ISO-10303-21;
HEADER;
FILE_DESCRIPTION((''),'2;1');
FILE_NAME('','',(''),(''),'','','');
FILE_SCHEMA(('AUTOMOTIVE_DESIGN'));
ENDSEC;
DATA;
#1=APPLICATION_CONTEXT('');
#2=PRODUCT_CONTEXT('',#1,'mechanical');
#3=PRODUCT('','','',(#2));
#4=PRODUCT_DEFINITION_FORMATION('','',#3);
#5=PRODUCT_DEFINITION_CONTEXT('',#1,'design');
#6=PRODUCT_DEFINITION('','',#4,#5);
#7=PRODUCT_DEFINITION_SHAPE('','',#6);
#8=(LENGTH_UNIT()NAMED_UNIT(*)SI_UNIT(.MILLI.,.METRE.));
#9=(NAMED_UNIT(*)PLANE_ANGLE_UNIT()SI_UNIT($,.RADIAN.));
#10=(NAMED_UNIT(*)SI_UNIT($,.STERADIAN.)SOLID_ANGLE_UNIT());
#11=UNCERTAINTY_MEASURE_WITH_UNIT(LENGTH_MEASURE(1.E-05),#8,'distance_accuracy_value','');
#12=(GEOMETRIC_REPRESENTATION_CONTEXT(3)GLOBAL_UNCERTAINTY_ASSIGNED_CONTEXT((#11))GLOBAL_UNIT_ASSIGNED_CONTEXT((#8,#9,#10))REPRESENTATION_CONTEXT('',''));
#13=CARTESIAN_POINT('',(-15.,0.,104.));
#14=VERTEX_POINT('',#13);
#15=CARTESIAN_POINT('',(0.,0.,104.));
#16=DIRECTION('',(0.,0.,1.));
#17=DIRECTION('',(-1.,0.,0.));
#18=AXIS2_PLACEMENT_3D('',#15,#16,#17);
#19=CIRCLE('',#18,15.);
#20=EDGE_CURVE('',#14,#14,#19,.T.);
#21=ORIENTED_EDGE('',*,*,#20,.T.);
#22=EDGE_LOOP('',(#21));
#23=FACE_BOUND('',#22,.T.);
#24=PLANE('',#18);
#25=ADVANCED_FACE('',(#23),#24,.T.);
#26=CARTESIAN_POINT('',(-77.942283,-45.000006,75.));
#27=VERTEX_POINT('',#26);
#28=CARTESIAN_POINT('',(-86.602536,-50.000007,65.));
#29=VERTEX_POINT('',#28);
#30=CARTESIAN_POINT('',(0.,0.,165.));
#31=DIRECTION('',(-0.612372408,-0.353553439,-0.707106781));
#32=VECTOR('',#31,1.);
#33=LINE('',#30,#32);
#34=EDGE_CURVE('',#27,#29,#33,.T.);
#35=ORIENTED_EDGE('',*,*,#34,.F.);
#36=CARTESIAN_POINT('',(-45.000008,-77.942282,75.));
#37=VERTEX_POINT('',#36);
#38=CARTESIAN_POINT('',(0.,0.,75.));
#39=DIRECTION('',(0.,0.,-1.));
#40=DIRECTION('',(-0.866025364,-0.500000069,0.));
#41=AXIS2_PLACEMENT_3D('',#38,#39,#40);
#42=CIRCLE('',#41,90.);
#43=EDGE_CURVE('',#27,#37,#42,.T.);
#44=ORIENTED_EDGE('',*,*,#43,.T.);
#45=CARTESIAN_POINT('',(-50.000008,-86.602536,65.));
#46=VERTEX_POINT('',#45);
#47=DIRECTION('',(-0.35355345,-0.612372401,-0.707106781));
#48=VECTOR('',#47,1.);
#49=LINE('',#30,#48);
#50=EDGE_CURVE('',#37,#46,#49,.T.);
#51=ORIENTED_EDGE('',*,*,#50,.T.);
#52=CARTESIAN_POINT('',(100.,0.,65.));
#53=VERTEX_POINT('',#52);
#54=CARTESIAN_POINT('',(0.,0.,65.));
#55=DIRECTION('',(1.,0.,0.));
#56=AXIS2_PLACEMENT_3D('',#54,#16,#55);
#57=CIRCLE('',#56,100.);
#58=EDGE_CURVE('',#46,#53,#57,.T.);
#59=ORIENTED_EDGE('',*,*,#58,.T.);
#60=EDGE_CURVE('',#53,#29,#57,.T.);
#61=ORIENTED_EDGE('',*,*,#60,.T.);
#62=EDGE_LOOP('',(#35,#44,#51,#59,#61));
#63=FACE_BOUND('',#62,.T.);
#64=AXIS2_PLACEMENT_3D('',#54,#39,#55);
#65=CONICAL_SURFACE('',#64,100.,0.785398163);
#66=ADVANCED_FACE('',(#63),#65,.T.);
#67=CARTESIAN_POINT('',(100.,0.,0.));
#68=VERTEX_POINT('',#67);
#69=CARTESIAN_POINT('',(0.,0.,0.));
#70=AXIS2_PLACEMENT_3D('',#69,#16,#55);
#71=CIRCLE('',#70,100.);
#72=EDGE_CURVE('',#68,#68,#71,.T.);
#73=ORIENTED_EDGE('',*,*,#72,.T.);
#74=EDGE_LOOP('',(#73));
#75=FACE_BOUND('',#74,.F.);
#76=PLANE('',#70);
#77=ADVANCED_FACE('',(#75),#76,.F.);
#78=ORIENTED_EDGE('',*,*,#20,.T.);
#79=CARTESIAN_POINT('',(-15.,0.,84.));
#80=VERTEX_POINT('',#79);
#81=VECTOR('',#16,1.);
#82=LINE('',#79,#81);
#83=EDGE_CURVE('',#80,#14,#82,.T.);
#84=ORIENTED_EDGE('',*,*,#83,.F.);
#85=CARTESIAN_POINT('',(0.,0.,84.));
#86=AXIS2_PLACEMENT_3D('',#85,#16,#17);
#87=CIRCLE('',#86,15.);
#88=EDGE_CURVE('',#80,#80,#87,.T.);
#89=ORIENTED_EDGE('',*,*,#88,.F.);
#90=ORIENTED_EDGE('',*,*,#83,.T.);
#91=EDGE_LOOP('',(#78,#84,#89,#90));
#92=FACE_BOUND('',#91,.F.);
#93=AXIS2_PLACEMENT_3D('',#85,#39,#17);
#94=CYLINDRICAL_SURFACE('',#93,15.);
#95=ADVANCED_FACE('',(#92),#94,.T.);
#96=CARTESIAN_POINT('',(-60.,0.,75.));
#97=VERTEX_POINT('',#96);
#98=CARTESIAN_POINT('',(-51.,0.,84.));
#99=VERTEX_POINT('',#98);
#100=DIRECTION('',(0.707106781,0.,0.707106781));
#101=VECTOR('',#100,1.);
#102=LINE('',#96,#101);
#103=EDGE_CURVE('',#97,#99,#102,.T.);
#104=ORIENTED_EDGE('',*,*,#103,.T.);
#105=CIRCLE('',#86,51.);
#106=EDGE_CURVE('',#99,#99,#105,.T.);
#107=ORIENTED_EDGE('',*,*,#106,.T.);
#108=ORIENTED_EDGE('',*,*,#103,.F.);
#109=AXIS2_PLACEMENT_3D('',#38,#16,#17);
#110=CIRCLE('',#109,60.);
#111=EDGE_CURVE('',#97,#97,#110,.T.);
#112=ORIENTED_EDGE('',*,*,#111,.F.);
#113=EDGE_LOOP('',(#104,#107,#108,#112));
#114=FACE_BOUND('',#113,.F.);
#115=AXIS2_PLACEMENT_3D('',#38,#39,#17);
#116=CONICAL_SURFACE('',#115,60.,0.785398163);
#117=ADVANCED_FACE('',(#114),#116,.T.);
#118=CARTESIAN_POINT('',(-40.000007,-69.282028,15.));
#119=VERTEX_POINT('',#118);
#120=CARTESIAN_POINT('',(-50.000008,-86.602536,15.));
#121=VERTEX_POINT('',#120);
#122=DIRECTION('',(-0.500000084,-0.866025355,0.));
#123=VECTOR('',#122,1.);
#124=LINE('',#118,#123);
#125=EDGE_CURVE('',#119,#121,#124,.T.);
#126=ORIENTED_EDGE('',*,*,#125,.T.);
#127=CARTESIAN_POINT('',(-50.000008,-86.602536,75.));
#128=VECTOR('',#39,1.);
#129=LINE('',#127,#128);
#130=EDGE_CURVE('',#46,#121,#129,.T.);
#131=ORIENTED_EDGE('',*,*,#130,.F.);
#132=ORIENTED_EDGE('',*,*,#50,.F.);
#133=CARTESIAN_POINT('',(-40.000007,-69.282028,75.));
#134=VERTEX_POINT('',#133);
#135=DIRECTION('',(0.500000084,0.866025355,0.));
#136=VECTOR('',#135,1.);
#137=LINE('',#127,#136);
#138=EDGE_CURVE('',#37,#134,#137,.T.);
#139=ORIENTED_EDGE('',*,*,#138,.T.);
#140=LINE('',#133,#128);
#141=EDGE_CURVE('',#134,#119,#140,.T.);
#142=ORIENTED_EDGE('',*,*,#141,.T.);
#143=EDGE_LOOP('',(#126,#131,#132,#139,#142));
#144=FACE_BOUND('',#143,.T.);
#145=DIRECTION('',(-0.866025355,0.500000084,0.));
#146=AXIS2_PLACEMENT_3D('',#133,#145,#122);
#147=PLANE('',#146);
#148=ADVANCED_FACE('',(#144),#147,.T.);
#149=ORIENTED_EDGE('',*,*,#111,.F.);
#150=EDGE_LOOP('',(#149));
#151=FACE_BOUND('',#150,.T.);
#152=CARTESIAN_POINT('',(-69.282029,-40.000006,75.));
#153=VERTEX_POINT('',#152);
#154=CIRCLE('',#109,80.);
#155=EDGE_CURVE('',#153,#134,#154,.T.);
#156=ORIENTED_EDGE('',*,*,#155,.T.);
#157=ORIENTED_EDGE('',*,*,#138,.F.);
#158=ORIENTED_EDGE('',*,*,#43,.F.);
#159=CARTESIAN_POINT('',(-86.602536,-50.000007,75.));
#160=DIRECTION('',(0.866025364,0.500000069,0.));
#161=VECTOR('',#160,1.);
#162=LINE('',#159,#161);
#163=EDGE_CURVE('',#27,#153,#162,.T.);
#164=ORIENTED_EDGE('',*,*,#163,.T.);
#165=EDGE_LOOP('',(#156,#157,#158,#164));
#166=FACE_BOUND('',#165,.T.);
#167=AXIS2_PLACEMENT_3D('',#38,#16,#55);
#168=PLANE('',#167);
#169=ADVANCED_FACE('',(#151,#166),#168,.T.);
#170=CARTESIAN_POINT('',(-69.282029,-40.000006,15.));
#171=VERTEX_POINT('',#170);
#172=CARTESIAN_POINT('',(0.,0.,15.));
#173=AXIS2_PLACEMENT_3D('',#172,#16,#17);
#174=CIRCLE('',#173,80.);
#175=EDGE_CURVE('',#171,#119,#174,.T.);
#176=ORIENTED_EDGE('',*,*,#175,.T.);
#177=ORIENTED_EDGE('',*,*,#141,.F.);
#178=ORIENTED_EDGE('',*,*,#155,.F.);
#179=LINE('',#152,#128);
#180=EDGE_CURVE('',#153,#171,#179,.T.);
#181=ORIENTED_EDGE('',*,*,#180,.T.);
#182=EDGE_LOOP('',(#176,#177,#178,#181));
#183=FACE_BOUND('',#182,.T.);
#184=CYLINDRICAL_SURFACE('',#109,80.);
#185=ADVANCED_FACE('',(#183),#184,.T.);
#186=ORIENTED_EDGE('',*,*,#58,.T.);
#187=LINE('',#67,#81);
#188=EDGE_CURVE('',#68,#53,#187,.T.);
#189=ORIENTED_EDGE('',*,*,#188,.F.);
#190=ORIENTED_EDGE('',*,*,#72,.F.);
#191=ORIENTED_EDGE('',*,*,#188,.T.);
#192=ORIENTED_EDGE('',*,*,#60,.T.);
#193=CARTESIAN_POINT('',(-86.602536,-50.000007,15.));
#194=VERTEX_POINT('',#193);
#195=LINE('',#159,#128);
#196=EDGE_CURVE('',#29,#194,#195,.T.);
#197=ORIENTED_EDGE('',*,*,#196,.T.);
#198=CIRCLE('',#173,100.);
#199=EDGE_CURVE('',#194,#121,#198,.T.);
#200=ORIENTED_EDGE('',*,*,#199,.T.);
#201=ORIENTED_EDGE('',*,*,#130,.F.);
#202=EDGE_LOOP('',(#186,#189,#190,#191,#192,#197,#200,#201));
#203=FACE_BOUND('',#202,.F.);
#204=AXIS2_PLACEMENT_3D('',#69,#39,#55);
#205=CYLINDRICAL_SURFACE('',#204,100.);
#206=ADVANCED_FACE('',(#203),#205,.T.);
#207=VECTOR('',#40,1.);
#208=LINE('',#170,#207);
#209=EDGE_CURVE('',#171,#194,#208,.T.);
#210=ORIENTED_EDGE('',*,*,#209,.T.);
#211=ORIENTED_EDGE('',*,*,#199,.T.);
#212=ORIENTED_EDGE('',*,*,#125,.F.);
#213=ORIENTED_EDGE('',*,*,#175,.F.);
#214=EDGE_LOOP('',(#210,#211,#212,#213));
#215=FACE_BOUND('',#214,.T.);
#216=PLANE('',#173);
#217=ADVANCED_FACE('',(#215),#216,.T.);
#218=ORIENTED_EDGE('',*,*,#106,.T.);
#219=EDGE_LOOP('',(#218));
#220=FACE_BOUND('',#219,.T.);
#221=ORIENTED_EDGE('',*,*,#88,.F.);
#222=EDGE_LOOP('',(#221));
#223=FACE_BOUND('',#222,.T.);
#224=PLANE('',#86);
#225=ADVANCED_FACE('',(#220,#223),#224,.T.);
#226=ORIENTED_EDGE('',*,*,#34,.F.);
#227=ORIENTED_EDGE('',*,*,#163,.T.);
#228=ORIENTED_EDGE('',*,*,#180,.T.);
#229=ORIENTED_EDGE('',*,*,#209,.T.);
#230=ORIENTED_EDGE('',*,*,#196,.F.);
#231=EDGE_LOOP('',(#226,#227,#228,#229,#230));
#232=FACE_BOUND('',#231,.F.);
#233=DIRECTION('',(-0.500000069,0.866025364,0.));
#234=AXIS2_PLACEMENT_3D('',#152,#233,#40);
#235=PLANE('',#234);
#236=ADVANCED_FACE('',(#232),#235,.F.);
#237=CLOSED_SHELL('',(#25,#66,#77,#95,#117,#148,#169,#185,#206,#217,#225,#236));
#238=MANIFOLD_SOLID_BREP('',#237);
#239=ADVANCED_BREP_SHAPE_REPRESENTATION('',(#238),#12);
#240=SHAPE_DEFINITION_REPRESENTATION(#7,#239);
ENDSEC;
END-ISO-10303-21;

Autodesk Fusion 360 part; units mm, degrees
sketch "Sketch1" plane through (0, 0, 0) normal (0, 0, 1) x (1, 0, 0)
  circle A0 centre (0, 0) radius 100
  dimension "d1" = 200
extrude "Extrude1" add sketch "Sketch1" along normal blind 75
chamfer "Chamfer1" distance 10 angle 45 1 edges at (-93.2327, -36.1615, 75)
sketch "Sketch2" plane through (0, 0, 75) normal (0, 0, 1) x (-1, 0, 0)
  circle A0 centre (0, 0) radius 90
  circle A1 centre (0, 0) radius 100
  line L0 (0, 0) -> (0, 100)
  line L1 (0, 0) -> (100, 0)
  circle A2 centre (0, 0) radius 80
  line L2 (0, 0) -> (100, 0)
  line L3 (0, 0) -> (139.8681, 80.7529)
  line L4 (0, 0) -> (161.5058, 0) construction
  line L5 (0, 0) -> (61.5265, 106.567)
  dimension "d5" = 160
  dimension "d6" = 30
  dimension "d7" = 60
extrude "Extrude2" cut sketch "Sketch2" against normal blind 60 contours A0 A2 L3 L5 | A0 A1 L3 L5
sketch "Sketch3" plane through (0, 0, 75) normal (0, 0, 1) x (-1, 0, 0)
  line L0 (40, 69.282) -> (45, 77.9423)
  arc A0 (45, 77.9423) -> (77.9423, 45) centre (0, 0) ccw
  line L1 (77.9423, 45) -> (69.282, 40)
  arc A1 (69.282, 40) -> (40, 69.282) centre (0, 0) ccw
  circle A2 centre (0, 0) radius 60
  dimension "d11" = 120
extrude "Extrude3" add sketch "Sketch3" along normal blind 9 draft -45 contours A2
sketch "Sketch4" plane through (0, 0, 84) normal (0, 0, 1) x (-1, 0, 0)
  circle A0 centre (0, 0) radius 51
  circle A1 centre (0, 0) radius 15
  dimension "d14" = 30
extrude "Extrude4" add sketch "Sketch4" along normal blind 20 contours A1
